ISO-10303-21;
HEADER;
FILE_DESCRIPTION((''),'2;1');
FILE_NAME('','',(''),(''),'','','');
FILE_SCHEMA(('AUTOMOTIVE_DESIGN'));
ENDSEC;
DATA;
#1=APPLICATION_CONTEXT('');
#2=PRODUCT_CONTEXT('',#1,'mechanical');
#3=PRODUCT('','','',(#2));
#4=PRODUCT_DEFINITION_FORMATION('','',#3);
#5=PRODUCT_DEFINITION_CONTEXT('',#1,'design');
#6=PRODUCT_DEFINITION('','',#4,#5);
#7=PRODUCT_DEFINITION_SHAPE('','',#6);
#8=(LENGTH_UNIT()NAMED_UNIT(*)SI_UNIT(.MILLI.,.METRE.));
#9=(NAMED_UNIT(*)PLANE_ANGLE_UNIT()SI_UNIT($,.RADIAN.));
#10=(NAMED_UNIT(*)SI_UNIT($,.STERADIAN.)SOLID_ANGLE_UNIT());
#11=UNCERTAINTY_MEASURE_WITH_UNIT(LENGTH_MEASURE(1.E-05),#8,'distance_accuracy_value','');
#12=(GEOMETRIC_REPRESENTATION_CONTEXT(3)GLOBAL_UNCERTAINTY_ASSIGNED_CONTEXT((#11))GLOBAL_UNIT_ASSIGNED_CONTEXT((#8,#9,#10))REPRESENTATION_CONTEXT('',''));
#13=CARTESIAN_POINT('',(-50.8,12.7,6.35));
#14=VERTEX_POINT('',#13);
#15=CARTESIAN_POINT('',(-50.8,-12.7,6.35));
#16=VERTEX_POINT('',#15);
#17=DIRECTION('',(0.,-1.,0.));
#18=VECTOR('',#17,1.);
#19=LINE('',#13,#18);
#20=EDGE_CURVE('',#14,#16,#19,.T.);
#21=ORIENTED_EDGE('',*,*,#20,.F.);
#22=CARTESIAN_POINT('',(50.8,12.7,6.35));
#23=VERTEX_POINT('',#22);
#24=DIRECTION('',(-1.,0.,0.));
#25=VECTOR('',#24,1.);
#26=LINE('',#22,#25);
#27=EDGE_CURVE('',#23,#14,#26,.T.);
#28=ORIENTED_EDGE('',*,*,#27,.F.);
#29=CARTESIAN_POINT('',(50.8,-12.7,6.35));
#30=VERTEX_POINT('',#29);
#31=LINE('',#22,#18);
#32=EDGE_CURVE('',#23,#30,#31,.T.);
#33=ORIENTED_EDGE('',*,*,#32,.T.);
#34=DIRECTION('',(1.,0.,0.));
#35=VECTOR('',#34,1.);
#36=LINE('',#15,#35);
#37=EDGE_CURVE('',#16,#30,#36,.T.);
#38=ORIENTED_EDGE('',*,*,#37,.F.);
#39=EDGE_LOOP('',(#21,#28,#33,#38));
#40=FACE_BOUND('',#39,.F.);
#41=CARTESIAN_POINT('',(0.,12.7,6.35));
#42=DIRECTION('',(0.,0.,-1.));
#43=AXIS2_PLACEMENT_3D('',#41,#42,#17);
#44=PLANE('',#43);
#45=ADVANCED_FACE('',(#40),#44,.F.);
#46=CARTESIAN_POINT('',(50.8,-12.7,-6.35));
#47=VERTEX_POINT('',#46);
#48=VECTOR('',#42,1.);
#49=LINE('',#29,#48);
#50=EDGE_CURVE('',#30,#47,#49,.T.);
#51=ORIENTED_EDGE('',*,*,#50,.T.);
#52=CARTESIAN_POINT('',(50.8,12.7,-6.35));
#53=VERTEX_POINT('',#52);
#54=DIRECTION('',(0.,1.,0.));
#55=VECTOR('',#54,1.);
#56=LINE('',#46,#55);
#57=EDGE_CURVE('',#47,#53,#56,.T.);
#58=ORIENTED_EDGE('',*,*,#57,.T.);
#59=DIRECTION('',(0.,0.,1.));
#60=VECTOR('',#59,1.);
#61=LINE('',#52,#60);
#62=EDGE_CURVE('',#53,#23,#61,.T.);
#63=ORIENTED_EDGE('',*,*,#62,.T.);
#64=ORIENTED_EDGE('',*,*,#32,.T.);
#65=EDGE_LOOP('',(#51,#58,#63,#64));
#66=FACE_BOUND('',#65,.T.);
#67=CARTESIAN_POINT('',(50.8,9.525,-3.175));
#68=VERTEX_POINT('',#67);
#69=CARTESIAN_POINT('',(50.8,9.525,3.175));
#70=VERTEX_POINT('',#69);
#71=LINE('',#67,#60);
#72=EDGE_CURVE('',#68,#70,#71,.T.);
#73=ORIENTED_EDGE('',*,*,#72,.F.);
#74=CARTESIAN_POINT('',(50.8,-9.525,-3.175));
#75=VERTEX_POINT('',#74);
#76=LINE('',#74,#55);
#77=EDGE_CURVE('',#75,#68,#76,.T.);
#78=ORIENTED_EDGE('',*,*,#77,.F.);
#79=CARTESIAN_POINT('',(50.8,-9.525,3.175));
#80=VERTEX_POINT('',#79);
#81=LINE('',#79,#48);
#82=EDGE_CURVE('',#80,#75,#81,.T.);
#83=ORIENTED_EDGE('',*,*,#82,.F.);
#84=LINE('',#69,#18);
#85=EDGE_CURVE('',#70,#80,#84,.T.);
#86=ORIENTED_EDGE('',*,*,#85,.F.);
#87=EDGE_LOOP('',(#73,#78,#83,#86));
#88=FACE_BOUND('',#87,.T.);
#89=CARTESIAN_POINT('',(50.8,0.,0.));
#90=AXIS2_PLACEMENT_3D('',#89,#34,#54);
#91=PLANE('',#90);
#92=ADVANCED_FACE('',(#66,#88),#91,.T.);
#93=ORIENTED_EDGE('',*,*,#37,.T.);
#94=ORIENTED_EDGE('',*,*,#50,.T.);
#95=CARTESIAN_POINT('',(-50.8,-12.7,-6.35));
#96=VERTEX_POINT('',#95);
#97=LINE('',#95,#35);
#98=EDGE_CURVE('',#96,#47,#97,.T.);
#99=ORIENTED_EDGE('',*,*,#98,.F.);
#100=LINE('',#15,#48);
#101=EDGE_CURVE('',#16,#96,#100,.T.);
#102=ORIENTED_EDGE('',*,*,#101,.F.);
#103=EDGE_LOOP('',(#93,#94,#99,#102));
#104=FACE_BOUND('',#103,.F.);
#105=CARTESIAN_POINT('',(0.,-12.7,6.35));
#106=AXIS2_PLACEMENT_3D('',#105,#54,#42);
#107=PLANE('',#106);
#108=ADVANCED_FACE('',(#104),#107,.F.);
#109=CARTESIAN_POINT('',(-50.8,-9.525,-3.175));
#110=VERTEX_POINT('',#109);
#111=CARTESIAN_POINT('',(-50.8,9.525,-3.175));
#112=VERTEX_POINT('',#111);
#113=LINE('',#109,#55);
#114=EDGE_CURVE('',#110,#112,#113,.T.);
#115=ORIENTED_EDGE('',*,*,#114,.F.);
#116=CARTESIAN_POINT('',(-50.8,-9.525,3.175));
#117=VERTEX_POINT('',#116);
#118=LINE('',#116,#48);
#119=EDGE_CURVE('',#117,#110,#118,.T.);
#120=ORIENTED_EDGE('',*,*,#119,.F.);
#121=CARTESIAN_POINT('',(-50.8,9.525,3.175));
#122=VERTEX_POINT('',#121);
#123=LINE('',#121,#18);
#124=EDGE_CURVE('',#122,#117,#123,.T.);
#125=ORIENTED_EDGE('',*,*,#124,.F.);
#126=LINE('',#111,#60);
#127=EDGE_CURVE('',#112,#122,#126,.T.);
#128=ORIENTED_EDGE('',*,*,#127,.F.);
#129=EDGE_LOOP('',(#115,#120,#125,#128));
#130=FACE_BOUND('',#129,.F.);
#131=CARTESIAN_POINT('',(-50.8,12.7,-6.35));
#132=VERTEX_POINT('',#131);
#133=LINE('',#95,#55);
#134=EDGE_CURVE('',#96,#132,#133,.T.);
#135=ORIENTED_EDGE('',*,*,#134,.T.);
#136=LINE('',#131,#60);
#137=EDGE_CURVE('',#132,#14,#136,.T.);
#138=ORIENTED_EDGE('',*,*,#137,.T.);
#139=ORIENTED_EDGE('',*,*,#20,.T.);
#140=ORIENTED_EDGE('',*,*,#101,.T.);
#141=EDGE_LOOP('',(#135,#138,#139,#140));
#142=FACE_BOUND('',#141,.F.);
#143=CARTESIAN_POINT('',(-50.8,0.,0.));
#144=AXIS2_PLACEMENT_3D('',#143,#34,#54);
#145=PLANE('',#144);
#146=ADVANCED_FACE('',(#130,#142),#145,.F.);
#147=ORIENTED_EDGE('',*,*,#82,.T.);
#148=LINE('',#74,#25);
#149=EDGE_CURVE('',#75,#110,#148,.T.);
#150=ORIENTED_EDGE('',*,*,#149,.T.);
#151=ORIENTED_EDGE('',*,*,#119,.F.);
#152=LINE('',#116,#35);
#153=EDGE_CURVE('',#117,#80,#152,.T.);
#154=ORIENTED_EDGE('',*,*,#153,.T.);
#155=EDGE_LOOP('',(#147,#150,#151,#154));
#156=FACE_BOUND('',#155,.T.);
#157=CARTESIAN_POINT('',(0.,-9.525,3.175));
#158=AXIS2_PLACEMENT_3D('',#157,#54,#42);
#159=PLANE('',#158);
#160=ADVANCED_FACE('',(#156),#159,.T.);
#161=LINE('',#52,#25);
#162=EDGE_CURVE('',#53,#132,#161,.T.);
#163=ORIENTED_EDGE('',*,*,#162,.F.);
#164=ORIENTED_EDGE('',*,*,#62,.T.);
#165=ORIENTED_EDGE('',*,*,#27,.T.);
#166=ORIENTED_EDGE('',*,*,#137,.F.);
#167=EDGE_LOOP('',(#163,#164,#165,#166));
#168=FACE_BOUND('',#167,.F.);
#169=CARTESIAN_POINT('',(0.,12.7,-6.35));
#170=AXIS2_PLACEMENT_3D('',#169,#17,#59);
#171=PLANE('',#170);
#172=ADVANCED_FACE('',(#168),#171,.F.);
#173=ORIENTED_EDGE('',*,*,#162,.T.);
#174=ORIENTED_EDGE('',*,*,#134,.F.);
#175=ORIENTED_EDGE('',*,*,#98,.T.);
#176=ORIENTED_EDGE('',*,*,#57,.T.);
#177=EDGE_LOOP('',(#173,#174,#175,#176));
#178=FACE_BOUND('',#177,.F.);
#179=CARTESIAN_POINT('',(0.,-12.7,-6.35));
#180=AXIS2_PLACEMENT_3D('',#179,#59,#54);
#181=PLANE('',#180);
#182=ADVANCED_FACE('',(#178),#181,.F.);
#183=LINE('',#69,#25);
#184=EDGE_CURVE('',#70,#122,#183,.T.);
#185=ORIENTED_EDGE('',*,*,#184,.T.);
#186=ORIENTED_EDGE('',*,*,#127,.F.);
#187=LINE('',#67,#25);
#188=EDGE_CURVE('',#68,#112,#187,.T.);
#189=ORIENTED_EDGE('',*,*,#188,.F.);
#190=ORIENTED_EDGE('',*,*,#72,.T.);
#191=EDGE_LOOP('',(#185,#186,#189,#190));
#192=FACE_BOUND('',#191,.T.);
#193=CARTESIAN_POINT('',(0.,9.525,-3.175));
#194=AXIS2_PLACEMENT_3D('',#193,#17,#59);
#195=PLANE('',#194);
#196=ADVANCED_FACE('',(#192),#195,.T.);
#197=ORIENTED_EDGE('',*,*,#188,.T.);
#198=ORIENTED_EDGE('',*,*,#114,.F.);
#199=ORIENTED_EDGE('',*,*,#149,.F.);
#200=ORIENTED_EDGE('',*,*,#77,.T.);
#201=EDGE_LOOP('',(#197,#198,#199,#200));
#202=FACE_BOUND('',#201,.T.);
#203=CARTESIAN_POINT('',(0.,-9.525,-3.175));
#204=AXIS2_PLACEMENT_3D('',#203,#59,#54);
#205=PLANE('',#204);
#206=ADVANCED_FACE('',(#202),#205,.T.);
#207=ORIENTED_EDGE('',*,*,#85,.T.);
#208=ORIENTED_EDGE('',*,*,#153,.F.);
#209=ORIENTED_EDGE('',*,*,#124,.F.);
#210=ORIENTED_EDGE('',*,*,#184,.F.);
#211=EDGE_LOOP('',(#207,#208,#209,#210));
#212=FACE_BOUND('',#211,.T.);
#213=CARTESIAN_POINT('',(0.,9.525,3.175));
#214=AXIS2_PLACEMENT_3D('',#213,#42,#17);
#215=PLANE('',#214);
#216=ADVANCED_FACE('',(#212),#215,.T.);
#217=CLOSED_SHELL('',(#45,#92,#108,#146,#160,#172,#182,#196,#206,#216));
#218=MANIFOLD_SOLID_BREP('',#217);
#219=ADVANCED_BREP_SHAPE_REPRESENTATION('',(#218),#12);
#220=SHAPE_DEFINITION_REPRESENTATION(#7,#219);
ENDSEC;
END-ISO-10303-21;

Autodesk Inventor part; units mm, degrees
ref_plane "YZ Plane" through (0, 0, 0) normal (1, 0, 0) x (0, 1, 0)
ref_plane "XZ Plane" through (0, 0, 0) normal (0, 1, 0) x (-1, 0, 0)
ref_plane "XY Plane" through (0, 0, 0) normal (0, 0, 1) x (1, 0, 0)
sketch "Sketch1" plane through (0, 0, 0) normal (1, 0, 0) x (0, 1, 0)
  line L0 (-12.7, 6.35) -> (-12.7, -6.35)
  line L1 (-12.7, -6.35) -> (12.7, -6.35)
  line L2 (12.7, -6.35) -> (12.7, 6.35)
  line L3 (12.7, 6.35) -> (-12.7, 6.35)
  line L4 (-12.7, 6.35) -> (12.7, -6.35) construction
  line L5 (-12.7, -6.35) -> (12.7, 6.35) construction
  line L6 (-9.525, 3.175) -> (-9.525, -3.175)
  line L7 (-9.525, -3.175) -> (9.525, -3.175)
  line L8 (9.525, -3.175) -> (9.525, 3.175)
  line L9 (9.525, 3.175) -> (-9.525, 3.175)
  line L10 (-9.525, 3.175) -> (9.525, -3.175) construction
  line L11 (-9.525, -3.175) -> (9.525, 3.175) construction
  point P0 (0, 0)
  dimension "d0" = 12.7
  dimension "d1" = 25.4
  dimension "d4" = 3.175
  dimension "d5" = 3.175
extrude "Extrusion2" add sketch "Sketch1" along normal mid plane 101.6
properties part number "LiftSpacer"
